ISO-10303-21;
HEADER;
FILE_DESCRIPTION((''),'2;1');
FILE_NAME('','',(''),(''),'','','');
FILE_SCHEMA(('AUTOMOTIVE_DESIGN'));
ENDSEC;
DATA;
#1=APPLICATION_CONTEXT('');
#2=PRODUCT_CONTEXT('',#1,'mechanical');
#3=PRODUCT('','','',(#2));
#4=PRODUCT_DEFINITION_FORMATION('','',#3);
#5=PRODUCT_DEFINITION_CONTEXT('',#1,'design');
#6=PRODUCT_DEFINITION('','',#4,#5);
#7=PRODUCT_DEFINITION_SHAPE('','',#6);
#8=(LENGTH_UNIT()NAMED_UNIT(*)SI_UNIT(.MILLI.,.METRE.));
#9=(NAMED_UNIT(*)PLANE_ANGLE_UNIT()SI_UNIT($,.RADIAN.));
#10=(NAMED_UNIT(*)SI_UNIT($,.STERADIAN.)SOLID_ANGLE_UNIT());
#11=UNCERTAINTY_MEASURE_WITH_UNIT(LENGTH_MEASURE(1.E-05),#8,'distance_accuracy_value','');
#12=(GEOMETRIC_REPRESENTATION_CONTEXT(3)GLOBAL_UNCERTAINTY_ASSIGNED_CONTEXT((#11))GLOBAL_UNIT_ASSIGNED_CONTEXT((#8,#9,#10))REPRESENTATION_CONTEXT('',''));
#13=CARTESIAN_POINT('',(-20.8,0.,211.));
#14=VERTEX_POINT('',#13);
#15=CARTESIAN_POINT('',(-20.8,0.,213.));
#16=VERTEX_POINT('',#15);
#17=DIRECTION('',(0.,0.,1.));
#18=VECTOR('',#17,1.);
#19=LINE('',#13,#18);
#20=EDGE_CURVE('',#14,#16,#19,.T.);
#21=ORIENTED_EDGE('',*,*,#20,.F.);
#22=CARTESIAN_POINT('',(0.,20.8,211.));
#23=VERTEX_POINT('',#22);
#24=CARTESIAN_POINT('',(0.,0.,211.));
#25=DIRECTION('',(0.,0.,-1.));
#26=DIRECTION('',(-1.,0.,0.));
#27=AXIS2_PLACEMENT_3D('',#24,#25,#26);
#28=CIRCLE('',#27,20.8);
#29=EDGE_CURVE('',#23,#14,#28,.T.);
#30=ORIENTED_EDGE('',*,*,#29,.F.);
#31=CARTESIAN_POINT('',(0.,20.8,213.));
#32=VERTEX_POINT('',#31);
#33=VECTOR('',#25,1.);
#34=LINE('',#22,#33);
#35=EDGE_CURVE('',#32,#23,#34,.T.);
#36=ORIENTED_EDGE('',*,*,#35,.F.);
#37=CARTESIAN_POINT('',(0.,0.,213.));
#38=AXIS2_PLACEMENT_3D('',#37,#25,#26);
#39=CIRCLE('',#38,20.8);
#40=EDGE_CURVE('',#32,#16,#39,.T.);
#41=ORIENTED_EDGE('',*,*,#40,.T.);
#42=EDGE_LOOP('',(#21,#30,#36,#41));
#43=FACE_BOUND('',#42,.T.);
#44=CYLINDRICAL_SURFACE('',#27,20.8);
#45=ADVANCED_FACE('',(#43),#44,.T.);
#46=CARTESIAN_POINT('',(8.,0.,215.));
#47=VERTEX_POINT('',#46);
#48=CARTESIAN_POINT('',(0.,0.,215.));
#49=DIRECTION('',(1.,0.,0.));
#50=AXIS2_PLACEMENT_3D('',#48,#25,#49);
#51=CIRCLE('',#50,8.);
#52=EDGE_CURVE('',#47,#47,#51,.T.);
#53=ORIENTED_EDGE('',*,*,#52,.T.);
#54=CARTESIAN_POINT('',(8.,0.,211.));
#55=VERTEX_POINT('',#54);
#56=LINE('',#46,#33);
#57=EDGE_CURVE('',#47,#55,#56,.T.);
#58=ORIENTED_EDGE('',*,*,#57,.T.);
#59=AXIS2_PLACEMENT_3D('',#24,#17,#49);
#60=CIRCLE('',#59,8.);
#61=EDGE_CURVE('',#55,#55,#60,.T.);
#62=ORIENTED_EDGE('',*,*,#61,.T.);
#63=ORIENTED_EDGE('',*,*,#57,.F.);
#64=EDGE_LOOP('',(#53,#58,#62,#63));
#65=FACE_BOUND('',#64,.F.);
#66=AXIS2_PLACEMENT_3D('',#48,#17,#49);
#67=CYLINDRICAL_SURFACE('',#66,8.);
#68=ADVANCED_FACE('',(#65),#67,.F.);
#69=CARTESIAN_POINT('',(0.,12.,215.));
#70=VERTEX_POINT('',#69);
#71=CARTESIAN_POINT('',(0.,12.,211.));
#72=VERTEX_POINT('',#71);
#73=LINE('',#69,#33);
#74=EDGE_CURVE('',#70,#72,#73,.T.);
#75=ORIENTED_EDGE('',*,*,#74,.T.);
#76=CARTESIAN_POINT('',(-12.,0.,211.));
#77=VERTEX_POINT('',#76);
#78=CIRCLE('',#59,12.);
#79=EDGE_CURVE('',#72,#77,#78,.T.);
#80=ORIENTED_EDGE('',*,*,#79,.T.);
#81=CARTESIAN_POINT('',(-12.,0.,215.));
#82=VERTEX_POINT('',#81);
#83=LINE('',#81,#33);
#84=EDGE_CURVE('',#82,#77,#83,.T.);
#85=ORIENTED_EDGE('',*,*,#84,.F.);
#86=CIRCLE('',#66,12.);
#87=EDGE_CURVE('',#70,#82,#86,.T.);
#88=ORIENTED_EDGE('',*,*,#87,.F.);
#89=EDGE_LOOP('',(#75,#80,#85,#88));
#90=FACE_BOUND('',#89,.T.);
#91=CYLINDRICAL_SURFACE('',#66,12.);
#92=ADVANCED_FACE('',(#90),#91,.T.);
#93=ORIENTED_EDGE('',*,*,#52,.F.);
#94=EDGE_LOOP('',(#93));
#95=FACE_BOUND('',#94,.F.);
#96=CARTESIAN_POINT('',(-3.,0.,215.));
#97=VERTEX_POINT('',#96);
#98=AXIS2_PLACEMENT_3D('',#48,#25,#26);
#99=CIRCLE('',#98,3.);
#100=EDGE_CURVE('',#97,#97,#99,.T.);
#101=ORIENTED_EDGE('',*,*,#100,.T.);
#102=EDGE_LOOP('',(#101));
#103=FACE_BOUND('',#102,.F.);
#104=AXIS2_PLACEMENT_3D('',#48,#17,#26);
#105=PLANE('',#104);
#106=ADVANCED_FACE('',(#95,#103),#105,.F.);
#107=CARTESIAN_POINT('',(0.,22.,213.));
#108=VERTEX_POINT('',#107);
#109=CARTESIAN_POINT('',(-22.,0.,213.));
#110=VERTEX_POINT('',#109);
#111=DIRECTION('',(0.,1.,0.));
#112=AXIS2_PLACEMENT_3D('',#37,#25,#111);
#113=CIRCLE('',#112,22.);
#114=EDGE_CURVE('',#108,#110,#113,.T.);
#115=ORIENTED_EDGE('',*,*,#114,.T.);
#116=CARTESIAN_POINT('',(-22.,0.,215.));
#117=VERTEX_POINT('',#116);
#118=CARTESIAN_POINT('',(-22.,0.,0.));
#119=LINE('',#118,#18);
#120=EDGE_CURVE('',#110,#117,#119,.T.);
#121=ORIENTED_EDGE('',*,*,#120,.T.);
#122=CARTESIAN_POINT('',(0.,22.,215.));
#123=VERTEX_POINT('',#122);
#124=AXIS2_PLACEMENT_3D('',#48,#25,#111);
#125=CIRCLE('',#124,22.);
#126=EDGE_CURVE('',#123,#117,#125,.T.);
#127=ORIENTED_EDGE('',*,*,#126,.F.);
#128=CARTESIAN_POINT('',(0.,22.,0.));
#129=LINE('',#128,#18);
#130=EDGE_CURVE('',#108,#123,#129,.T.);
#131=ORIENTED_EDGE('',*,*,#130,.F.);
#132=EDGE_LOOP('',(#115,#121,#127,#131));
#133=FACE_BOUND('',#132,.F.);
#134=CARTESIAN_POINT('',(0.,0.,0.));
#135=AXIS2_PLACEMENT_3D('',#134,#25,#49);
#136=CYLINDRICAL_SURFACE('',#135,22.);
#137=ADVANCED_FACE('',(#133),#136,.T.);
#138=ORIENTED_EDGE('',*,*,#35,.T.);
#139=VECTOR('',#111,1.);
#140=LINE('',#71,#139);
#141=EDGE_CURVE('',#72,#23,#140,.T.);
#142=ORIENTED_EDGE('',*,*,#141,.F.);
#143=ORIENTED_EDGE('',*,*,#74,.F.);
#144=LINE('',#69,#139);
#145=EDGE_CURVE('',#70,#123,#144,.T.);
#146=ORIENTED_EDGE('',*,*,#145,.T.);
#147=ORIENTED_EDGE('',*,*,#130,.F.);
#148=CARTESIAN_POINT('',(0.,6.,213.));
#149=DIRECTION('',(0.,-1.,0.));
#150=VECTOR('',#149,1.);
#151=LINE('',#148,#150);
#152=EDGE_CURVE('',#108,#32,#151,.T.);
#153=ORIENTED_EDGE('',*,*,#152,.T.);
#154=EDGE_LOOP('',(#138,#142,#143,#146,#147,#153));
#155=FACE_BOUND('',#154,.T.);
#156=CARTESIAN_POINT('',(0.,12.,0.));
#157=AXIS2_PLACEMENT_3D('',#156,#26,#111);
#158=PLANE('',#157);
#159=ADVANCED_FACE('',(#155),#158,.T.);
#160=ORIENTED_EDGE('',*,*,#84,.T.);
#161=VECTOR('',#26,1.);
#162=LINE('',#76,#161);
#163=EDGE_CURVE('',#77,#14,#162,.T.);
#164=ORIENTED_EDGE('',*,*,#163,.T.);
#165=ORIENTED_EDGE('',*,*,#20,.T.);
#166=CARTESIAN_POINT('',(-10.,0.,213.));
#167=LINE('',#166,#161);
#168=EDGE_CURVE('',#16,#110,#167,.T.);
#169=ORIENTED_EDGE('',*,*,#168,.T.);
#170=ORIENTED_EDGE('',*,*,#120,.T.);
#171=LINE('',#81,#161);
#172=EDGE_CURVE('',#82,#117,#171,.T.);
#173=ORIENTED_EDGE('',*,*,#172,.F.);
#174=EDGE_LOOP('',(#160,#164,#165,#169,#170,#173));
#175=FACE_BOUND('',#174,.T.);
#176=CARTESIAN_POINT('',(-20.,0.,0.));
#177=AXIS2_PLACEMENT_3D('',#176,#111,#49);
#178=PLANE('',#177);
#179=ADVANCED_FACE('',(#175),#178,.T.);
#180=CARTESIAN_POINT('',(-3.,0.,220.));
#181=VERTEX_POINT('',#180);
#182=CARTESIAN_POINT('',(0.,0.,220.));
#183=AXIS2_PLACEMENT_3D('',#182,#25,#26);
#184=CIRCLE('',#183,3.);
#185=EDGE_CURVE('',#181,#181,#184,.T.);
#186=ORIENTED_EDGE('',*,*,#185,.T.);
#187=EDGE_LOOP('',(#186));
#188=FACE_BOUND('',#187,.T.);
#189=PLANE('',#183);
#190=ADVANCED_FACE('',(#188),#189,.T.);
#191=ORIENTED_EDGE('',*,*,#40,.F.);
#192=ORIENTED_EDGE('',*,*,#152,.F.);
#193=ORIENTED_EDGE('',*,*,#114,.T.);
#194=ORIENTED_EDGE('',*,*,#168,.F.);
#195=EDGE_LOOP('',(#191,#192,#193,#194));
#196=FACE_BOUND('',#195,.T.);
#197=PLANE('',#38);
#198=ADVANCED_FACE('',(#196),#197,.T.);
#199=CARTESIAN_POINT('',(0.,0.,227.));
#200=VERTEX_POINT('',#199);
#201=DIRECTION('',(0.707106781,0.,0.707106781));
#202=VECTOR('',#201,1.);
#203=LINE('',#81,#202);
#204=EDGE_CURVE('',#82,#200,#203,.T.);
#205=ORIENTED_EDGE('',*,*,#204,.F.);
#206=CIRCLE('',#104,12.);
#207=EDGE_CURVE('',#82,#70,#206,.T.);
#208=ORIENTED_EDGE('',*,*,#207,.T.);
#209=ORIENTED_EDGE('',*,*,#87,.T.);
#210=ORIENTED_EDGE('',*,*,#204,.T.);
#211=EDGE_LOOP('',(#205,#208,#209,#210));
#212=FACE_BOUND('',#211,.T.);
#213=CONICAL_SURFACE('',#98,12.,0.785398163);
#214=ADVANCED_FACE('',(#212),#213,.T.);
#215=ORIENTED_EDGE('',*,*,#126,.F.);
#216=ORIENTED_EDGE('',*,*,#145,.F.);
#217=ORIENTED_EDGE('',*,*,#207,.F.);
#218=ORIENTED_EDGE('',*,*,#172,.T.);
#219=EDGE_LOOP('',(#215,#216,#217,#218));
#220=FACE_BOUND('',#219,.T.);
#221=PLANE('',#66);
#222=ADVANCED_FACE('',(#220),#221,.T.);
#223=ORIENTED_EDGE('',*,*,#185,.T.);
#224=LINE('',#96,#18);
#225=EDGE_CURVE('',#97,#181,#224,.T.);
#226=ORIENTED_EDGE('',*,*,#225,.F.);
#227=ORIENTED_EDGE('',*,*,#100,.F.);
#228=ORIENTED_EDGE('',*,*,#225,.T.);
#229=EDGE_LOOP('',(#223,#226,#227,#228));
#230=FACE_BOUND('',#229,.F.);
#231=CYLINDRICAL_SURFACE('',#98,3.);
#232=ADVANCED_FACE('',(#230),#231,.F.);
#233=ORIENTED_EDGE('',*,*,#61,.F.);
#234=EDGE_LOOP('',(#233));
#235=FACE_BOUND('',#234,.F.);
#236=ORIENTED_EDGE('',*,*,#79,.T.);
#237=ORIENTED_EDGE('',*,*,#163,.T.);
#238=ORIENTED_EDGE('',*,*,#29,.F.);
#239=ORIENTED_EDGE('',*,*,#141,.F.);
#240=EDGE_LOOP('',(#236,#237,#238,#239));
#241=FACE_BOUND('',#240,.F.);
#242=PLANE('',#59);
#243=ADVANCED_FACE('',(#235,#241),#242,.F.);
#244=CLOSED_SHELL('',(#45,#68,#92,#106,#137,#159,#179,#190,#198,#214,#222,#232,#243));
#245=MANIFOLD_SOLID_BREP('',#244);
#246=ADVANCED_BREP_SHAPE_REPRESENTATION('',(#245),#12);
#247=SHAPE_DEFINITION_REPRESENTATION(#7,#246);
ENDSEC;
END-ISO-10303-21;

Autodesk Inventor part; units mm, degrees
ref_plane "YZ Plane" through (0, 0, 0) normal (1, 0, 0) x (0, 1, 0)
ref_plane "XZ Plane" through (0, 0, 0) normal (0, 1, 0) x (-1, 0, 0)
ref_plane "XY Plane" through (0, 0, 0) normal (0, 0, 1) x (1, 0, 0)
sketch "Эскиз1" plane through (0, 0, 0) normal (0, 0, 1) x (1, 0, 0)
  circle A0 centre (0, 0) radius 7.5
  circle A1 centre (0, 0) radius 20
  circle A2 centre (0, 0) radius 22
  line L0 (0, 0) -> (-22, 0)
  line L1 (0, 0) -> (0, 22)
  line L2 (-22, 0) -> (-20, 0)
  line L3 (-20, 0) -> (-20, -4)
  line L4 (-20, -4) -> (-22, -4)
  line L5 (-22, -4) -> (-22, 0)
  point P0 (20, 0)
  point P1 (22, 0)
  point P2 (0, 20)
  point P3 (-20, 0)
  point P4 (-21.6333, -4)
  dimension "d1" = 40
  dimension "d0" = 15
  dimension "d2" = 2
  dimension "d10" = 4
extrude "Выдавливание1" add sketch "Эскиз1" along normal blind 215 contours L1 A2 L4 L3 A1 | L3 L4 A2 L0
sketch "Эскиз2" plane through (0, 0, 215) normal (0, 0, 1) x (1, 0, 0)
  arc A0 (-20, 0) -> (0, 20) centre (0, 0) ccw projected
  arc A1 (-22, 0) -> (0, 22) centre (0, 0) ccw projected
  arc A2 (-22, 0) -> (0, 22) centre (0, 0) ccw projected
  line L0 (0, 22) -> (0, 20) projected
  arc A3 (-20, 0) -> (0, 20) centre (0, 0) ccw projected
  line L1 (-20, 0) -> (-22, 0) projected
  circle A4 centre (0, 0) radius 8
  line L2 (0, 8) -> (0, 20)
  line L3 (-8, 0) -> (-20.5, 0)
  circle A5 centre (0, 0) radius 12
  point P0 (0, 20)
  point P1 (-12, 0)
  point P2 (0, 12)
  dimension "d5" = 16
  dimension "d15" = 4
extrude "Выдавливание2" add sketch "Эскиз2" against normal blind 4 contours L3 A5 L2 A0 | A5 L2 A4 L3 | L3 A4 L2 A5
sketch "Эскиз3" plane through (0, 0, 0) normal (0, 0, -1) x (-1, 0, 0)
  line L0 (20, 0) -> (12, 0) projected
  circle A0 centre (0, 0) radius 8 projected
  line L1 (0, 12) -> (0, 20) projected
  arc A1 (0, 20) -> (20, 0) centre (0, 0) ccw projected
  arc A2 (12, 0) -> (0, 12) centre (0, 0) ccw projected
extrude "Выдавливание3" add sketch "Эскиз3" against normal blind 4
sketch "Эскиз4" plane through (0, 0, 0) normal (0, 0, -1) x (-1, 0, 0)
  arc A0 (0, 20) -> (20, 0) centre (0, 0) ccw projected
  line L0 (20, 0) -> (60, 0)
  line L1 (60, 0) -> (60, -4)
  line L2 (60, -4) -> (20, -4)
  line L3 (20, -4) -> (20, 0)
  dimension "d11" = 40
  dimension "d12" = 4
extrude "Выдавливание4" add sketch "Эскиз4" against normal blind 60
sketch "Эскиз5" plane through (-60, -4, 0) normal (0, -1, 0) x (1, 0, 0)
  line L0 (10, 50) -> (25, 50)
  line L1 (25, 50) -> (25, 45)
  line L2 (25, 45) -> (10, 45)
  line L3 (10, 45) -> (10, 50)
  line L4 (10, 15) -> (25, 15)
  line L5 (25, 15) -> (25, 10)
  line L6 (25, 10) -> (10, 10)
  line L7 (10, 10) -> (10, 15)
  line L8 (38.3667, 0) -> (0, 0) projected
  line L9 (0, 0) -> (0, 60) projected
  line L10 (0, 30) -> (39.4889, 30)
  line L11 (38.3667, 60) -> (38.3667, 0) projected
  line L12 (10, 27.5) -> (25, 27.5)
  line L13 (25, 27.5) -> (25, 32.5)
  line L14 (25, 32.5) -> (10, 32.5)
  line L15 (10, 32.5) -> (10, 27.5)
  point P0 (60, 0)
  dimension "d16" = 10
  dimension "d17" = 10
  dimension "d19" = 5
  dimension "d22" = 15
  dimension "d23" = 0
extrude "Выдавливание5" cut sketch "Эскиз5" against normal blind 10 contours L0 L1 L2 L3 | L4 L5 L6 L7 | L13 L12 L15 L10 | L10 L15 L14 L13
sketch "Эскиз6" plane through (-60, -4, 0) normal (-1, 0, 0) x (0, 0, 1)
  line L0 (211, 32.0308) -> (-1.8272, 32.0308)
  line L1 (-1.8272, 32.0308) -> (-1.8272, -28.2031)
  line L2 (-1.8272, -28.2031) -> (211, -28.2031)
  line L3 (211, -28.2031) -> (211, 32.0308)
  point P0 (0, 4)
extrude "Выдавливание6" cut sketch "Эскиз6" against normal blind 100
sketch "Эскиз7" plane through (0, 0, 211) normal (0, 0, -1) x (-1, 0, 0)
  arc A0 (0, 22) -> (22, 0) centre (0, 0) ccw projected
  circle A1 centre (0, 0) radius 22
  circle A2 centre (0, 0) radius 20.8
  point P0 (0, 20.8)
  point P1 (22, 0)
  dimension "d26" = 1.2
extrude "Выдавливание7" cut sketch "Эскиз7" against normal blind 2
sketch "Эскиз9" plane through (0, 0, 0) normal (0, 1, 0) x (-1, 0, 0)
  line L0 (12, 215) -> (0, 215) projected
  circle A0 centre (0, 215) radius 12
  line L1 (0, 215) -> (0, 227)
  line L2 (12, 215) -> (0, 227)
  point P0 (0, 0)
revolve "Вращение1" add sketch "Эскиз9" angle 360 about axis through (0, 0, 215) along (0, 0, 1) contours L0 L1 L2
sketch "Эскиз10" plane through (0, 0, 215) normal (0, 0, -1) x (-1, 0, 0)
  circle A0 centre (0, 0) radius 3
  dimension "d30" = 6
extrude "Выдавливание8" cut sketch "Эскиз10" against normal blind 5
properties part number "крышка кожуха пушки"
